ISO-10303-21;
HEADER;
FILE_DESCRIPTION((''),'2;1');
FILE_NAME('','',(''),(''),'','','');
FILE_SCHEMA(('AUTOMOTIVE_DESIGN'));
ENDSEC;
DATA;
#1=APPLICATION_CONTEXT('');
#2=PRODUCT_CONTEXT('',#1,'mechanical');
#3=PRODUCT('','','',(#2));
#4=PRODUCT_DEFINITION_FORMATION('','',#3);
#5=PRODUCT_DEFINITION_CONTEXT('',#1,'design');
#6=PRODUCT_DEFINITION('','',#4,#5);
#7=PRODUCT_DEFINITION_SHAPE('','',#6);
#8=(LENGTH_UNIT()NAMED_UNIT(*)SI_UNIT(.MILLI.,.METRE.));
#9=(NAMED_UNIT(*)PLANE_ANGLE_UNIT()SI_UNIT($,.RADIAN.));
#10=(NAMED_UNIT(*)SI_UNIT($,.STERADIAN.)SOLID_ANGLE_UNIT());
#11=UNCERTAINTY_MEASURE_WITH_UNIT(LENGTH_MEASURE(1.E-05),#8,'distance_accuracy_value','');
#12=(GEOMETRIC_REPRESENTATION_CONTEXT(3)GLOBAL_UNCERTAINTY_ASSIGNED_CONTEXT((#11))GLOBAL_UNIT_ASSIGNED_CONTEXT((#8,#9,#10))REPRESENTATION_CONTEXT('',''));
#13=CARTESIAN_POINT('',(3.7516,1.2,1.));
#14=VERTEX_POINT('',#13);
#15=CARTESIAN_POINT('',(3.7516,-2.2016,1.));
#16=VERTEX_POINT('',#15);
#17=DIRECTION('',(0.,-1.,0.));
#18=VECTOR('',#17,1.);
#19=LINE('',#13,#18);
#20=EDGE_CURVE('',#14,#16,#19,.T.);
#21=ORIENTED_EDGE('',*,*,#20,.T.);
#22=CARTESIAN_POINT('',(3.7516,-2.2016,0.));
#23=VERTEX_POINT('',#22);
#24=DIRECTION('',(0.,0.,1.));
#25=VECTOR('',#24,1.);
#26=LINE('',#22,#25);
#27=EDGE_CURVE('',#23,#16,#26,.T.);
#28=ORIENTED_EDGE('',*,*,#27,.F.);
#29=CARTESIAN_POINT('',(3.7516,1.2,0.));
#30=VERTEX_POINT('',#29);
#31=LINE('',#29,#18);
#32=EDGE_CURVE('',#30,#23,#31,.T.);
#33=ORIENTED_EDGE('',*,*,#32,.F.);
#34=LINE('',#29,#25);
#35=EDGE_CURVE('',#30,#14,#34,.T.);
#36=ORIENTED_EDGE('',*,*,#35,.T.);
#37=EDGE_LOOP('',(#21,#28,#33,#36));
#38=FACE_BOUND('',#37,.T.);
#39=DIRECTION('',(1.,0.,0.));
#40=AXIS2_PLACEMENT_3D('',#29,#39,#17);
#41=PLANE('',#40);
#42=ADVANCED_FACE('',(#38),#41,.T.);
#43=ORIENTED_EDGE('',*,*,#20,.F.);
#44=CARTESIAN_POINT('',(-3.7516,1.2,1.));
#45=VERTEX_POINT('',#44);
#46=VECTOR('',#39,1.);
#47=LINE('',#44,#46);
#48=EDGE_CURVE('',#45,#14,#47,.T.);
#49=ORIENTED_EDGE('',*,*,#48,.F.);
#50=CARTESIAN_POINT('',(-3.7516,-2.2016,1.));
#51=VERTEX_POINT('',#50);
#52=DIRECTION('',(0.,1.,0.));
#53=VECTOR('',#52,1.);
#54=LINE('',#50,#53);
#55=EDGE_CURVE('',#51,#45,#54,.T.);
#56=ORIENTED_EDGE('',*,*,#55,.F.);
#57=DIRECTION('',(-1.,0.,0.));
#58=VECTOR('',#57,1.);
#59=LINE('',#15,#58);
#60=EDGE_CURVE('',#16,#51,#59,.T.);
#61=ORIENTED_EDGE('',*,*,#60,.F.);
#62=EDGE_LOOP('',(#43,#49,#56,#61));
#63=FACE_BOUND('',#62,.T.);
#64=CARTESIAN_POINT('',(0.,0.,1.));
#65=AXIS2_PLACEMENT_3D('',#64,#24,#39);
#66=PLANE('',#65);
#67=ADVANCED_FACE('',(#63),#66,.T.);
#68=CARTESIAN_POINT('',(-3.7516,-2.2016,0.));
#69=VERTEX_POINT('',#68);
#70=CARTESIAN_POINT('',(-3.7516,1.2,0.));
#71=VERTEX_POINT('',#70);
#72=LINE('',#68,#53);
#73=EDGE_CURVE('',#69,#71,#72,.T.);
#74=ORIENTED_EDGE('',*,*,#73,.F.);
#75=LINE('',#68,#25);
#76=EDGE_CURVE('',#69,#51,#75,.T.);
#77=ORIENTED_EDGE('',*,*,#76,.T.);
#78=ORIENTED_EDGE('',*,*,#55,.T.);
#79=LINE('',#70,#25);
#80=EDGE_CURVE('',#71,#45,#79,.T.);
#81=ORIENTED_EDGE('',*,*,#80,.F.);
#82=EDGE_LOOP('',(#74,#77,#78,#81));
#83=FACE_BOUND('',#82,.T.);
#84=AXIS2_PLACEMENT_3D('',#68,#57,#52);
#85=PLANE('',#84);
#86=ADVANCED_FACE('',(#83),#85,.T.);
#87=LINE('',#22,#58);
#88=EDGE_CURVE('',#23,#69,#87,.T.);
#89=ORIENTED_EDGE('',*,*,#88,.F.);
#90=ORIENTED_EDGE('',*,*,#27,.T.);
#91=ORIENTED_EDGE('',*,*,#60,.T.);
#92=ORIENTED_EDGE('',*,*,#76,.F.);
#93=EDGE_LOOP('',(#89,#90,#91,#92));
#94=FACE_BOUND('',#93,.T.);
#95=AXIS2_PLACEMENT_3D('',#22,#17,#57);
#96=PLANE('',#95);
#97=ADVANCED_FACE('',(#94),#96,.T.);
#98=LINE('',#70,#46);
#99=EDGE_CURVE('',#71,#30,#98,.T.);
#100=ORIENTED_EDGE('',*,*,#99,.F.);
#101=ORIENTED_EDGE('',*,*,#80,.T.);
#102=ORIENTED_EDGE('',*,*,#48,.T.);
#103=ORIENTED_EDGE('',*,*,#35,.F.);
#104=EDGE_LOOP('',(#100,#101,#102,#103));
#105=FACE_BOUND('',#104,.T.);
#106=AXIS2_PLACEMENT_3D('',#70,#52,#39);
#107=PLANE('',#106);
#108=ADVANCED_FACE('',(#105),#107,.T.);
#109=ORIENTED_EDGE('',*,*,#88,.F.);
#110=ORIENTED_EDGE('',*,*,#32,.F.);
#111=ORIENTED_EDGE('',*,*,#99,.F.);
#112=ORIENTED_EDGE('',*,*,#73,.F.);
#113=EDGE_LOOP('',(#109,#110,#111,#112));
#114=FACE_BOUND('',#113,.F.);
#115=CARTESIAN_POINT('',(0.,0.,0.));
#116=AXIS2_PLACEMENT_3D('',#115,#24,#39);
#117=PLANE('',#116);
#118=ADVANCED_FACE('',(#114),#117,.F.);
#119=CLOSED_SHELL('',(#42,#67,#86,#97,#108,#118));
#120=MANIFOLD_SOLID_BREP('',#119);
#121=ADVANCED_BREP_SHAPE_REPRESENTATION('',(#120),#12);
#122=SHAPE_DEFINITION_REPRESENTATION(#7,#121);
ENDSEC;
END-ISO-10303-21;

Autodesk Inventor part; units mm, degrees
ref_plane "YZ Plane" through (0, 0, 0) normal (1, 0, 0) x (0, 1, 0)
ref_plane "XZ Plane" through (0, 0, 0) normal (0, 1, 0) x (-1, 0, 0)
ref_plane "XY Plane" through (0, 0, 0) normal (0, 0, 1) x (1, 0, 0)
sketch "B4B-ZR, B4B-ZR_6" plane through (0, 0, 0) normal (0, 0, 1) x (1, 0, 0)
  line L0 (-3.7516, 1.2) -> (3.7516, 1.2)
  line L1 (3.7516, 1.2) -> (3.7516, -2.2016)
  line L2 (3.7516, -2.2016) -> (-3.7516, -2.2016)
  line L3 (-3.7516, -2.2016) -> (-3.7516, 1.2)
extrude "Extrusion1" add sketch "B4B-ZR, B4B-ZR_6" along normal blind 1
properties part number "B4B-ZR"
